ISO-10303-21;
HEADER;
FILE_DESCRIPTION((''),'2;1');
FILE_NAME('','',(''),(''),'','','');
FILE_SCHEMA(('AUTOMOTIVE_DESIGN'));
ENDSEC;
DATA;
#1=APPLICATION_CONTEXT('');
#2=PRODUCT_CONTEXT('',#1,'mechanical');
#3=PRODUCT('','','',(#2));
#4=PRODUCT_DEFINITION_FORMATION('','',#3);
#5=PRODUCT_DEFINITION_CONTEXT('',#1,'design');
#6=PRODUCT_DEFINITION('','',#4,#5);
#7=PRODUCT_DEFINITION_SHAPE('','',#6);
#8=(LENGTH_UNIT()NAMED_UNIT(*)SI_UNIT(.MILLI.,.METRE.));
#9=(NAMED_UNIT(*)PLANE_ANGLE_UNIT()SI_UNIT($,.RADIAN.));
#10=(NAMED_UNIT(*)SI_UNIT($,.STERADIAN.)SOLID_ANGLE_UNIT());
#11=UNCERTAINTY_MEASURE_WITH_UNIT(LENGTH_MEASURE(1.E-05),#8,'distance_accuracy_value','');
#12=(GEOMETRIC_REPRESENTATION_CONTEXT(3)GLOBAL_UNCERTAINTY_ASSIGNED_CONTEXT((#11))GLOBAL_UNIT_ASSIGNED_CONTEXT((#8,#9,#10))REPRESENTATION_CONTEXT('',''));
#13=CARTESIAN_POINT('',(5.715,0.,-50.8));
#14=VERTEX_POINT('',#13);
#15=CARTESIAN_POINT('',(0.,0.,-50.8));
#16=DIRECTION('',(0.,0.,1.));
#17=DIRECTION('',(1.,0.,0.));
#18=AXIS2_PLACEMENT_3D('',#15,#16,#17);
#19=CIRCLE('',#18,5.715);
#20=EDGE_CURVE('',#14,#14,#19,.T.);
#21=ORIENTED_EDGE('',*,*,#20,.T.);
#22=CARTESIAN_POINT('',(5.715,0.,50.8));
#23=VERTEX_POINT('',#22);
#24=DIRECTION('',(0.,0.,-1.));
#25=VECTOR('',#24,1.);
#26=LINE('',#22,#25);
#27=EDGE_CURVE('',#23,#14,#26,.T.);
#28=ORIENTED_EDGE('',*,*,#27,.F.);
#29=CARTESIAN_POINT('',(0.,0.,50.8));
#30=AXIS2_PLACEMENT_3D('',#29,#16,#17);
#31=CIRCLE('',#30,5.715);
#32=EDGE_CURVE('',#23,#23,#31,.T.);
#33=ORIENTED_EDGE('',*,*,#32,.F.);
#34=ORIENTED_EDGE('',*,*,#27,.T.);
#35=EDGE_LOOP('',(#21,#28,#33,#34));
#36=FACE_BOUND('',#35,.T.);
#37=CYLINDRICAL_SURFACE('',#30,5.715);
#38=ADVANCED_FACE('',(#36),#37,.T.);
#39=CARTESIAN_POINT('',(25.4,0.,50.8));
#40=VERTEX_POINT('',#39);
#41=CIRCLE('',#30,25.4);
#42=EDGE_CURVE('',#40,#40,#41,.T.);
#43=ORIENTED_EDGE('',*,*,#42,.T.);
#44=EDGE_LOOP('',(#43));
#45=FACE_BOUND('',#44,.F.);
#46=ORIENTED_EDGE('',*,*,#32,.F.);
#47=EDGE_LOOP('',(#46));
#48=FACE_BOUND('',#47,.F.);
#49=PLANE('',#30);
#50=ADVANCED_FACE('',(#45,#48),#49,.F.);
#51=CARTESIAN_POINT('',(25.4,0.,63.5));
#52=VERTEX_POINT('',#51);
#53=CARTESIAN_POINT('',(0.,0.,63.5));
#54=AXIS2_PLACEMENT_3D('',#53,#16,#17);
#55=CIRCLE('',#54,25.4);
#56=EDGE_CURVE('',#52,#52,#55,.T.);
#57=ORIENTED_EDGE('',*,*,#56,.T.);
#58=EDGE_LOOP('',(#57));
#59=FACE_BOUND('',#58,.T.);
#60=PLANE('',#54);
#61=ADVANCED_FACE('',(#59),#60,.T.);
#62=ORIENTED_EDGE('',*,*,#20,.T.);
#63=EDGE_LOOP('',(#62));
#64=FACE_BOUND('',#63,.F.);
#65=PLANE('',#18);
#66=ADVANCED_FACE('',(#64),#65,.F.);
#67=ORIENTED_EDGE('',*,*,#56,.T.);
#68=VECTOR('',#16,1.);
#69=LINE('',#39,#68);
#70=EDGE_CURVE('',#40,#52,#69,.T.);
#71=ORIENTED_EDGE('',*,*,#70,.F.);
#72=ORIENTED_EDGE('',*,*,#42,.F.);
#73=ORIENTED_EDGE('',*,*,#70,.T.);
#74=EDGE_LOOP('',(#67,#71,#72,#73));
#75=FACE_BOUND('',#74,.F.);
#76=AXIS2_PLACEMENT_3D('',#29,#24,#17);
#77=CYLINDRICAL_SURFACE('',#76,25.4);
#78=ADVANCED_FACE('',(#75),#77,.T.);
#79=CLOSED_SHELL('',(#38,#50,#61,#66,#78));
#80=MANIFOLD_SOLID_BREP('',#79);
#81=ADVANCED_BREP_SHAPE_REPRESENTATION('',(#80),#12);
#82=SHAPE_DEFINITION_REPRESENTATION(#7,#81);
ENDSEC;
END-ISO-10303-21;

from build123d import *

# Parameters (mm, degrees)
F1_R     = 5.715
F2_DEPTH = 101.6
F3_R     = 25.4
F4_DEPTH = 12.7


with BuildPart() as f2:
    # F1 (on offset) → F2 (new body)
    with BuildSketch(Plane.XY.offset(50.8)):
        Circle(F1_R)
    extrude(amount=-F2_DEPTH)

    # F3 (on offset) → F4 (join)
    with BuildSketch(Plane.XY.offset(50.8)):
        Circle(F3_R)
    extrude(amount=F4_DEPTH)


solid = f2.part
